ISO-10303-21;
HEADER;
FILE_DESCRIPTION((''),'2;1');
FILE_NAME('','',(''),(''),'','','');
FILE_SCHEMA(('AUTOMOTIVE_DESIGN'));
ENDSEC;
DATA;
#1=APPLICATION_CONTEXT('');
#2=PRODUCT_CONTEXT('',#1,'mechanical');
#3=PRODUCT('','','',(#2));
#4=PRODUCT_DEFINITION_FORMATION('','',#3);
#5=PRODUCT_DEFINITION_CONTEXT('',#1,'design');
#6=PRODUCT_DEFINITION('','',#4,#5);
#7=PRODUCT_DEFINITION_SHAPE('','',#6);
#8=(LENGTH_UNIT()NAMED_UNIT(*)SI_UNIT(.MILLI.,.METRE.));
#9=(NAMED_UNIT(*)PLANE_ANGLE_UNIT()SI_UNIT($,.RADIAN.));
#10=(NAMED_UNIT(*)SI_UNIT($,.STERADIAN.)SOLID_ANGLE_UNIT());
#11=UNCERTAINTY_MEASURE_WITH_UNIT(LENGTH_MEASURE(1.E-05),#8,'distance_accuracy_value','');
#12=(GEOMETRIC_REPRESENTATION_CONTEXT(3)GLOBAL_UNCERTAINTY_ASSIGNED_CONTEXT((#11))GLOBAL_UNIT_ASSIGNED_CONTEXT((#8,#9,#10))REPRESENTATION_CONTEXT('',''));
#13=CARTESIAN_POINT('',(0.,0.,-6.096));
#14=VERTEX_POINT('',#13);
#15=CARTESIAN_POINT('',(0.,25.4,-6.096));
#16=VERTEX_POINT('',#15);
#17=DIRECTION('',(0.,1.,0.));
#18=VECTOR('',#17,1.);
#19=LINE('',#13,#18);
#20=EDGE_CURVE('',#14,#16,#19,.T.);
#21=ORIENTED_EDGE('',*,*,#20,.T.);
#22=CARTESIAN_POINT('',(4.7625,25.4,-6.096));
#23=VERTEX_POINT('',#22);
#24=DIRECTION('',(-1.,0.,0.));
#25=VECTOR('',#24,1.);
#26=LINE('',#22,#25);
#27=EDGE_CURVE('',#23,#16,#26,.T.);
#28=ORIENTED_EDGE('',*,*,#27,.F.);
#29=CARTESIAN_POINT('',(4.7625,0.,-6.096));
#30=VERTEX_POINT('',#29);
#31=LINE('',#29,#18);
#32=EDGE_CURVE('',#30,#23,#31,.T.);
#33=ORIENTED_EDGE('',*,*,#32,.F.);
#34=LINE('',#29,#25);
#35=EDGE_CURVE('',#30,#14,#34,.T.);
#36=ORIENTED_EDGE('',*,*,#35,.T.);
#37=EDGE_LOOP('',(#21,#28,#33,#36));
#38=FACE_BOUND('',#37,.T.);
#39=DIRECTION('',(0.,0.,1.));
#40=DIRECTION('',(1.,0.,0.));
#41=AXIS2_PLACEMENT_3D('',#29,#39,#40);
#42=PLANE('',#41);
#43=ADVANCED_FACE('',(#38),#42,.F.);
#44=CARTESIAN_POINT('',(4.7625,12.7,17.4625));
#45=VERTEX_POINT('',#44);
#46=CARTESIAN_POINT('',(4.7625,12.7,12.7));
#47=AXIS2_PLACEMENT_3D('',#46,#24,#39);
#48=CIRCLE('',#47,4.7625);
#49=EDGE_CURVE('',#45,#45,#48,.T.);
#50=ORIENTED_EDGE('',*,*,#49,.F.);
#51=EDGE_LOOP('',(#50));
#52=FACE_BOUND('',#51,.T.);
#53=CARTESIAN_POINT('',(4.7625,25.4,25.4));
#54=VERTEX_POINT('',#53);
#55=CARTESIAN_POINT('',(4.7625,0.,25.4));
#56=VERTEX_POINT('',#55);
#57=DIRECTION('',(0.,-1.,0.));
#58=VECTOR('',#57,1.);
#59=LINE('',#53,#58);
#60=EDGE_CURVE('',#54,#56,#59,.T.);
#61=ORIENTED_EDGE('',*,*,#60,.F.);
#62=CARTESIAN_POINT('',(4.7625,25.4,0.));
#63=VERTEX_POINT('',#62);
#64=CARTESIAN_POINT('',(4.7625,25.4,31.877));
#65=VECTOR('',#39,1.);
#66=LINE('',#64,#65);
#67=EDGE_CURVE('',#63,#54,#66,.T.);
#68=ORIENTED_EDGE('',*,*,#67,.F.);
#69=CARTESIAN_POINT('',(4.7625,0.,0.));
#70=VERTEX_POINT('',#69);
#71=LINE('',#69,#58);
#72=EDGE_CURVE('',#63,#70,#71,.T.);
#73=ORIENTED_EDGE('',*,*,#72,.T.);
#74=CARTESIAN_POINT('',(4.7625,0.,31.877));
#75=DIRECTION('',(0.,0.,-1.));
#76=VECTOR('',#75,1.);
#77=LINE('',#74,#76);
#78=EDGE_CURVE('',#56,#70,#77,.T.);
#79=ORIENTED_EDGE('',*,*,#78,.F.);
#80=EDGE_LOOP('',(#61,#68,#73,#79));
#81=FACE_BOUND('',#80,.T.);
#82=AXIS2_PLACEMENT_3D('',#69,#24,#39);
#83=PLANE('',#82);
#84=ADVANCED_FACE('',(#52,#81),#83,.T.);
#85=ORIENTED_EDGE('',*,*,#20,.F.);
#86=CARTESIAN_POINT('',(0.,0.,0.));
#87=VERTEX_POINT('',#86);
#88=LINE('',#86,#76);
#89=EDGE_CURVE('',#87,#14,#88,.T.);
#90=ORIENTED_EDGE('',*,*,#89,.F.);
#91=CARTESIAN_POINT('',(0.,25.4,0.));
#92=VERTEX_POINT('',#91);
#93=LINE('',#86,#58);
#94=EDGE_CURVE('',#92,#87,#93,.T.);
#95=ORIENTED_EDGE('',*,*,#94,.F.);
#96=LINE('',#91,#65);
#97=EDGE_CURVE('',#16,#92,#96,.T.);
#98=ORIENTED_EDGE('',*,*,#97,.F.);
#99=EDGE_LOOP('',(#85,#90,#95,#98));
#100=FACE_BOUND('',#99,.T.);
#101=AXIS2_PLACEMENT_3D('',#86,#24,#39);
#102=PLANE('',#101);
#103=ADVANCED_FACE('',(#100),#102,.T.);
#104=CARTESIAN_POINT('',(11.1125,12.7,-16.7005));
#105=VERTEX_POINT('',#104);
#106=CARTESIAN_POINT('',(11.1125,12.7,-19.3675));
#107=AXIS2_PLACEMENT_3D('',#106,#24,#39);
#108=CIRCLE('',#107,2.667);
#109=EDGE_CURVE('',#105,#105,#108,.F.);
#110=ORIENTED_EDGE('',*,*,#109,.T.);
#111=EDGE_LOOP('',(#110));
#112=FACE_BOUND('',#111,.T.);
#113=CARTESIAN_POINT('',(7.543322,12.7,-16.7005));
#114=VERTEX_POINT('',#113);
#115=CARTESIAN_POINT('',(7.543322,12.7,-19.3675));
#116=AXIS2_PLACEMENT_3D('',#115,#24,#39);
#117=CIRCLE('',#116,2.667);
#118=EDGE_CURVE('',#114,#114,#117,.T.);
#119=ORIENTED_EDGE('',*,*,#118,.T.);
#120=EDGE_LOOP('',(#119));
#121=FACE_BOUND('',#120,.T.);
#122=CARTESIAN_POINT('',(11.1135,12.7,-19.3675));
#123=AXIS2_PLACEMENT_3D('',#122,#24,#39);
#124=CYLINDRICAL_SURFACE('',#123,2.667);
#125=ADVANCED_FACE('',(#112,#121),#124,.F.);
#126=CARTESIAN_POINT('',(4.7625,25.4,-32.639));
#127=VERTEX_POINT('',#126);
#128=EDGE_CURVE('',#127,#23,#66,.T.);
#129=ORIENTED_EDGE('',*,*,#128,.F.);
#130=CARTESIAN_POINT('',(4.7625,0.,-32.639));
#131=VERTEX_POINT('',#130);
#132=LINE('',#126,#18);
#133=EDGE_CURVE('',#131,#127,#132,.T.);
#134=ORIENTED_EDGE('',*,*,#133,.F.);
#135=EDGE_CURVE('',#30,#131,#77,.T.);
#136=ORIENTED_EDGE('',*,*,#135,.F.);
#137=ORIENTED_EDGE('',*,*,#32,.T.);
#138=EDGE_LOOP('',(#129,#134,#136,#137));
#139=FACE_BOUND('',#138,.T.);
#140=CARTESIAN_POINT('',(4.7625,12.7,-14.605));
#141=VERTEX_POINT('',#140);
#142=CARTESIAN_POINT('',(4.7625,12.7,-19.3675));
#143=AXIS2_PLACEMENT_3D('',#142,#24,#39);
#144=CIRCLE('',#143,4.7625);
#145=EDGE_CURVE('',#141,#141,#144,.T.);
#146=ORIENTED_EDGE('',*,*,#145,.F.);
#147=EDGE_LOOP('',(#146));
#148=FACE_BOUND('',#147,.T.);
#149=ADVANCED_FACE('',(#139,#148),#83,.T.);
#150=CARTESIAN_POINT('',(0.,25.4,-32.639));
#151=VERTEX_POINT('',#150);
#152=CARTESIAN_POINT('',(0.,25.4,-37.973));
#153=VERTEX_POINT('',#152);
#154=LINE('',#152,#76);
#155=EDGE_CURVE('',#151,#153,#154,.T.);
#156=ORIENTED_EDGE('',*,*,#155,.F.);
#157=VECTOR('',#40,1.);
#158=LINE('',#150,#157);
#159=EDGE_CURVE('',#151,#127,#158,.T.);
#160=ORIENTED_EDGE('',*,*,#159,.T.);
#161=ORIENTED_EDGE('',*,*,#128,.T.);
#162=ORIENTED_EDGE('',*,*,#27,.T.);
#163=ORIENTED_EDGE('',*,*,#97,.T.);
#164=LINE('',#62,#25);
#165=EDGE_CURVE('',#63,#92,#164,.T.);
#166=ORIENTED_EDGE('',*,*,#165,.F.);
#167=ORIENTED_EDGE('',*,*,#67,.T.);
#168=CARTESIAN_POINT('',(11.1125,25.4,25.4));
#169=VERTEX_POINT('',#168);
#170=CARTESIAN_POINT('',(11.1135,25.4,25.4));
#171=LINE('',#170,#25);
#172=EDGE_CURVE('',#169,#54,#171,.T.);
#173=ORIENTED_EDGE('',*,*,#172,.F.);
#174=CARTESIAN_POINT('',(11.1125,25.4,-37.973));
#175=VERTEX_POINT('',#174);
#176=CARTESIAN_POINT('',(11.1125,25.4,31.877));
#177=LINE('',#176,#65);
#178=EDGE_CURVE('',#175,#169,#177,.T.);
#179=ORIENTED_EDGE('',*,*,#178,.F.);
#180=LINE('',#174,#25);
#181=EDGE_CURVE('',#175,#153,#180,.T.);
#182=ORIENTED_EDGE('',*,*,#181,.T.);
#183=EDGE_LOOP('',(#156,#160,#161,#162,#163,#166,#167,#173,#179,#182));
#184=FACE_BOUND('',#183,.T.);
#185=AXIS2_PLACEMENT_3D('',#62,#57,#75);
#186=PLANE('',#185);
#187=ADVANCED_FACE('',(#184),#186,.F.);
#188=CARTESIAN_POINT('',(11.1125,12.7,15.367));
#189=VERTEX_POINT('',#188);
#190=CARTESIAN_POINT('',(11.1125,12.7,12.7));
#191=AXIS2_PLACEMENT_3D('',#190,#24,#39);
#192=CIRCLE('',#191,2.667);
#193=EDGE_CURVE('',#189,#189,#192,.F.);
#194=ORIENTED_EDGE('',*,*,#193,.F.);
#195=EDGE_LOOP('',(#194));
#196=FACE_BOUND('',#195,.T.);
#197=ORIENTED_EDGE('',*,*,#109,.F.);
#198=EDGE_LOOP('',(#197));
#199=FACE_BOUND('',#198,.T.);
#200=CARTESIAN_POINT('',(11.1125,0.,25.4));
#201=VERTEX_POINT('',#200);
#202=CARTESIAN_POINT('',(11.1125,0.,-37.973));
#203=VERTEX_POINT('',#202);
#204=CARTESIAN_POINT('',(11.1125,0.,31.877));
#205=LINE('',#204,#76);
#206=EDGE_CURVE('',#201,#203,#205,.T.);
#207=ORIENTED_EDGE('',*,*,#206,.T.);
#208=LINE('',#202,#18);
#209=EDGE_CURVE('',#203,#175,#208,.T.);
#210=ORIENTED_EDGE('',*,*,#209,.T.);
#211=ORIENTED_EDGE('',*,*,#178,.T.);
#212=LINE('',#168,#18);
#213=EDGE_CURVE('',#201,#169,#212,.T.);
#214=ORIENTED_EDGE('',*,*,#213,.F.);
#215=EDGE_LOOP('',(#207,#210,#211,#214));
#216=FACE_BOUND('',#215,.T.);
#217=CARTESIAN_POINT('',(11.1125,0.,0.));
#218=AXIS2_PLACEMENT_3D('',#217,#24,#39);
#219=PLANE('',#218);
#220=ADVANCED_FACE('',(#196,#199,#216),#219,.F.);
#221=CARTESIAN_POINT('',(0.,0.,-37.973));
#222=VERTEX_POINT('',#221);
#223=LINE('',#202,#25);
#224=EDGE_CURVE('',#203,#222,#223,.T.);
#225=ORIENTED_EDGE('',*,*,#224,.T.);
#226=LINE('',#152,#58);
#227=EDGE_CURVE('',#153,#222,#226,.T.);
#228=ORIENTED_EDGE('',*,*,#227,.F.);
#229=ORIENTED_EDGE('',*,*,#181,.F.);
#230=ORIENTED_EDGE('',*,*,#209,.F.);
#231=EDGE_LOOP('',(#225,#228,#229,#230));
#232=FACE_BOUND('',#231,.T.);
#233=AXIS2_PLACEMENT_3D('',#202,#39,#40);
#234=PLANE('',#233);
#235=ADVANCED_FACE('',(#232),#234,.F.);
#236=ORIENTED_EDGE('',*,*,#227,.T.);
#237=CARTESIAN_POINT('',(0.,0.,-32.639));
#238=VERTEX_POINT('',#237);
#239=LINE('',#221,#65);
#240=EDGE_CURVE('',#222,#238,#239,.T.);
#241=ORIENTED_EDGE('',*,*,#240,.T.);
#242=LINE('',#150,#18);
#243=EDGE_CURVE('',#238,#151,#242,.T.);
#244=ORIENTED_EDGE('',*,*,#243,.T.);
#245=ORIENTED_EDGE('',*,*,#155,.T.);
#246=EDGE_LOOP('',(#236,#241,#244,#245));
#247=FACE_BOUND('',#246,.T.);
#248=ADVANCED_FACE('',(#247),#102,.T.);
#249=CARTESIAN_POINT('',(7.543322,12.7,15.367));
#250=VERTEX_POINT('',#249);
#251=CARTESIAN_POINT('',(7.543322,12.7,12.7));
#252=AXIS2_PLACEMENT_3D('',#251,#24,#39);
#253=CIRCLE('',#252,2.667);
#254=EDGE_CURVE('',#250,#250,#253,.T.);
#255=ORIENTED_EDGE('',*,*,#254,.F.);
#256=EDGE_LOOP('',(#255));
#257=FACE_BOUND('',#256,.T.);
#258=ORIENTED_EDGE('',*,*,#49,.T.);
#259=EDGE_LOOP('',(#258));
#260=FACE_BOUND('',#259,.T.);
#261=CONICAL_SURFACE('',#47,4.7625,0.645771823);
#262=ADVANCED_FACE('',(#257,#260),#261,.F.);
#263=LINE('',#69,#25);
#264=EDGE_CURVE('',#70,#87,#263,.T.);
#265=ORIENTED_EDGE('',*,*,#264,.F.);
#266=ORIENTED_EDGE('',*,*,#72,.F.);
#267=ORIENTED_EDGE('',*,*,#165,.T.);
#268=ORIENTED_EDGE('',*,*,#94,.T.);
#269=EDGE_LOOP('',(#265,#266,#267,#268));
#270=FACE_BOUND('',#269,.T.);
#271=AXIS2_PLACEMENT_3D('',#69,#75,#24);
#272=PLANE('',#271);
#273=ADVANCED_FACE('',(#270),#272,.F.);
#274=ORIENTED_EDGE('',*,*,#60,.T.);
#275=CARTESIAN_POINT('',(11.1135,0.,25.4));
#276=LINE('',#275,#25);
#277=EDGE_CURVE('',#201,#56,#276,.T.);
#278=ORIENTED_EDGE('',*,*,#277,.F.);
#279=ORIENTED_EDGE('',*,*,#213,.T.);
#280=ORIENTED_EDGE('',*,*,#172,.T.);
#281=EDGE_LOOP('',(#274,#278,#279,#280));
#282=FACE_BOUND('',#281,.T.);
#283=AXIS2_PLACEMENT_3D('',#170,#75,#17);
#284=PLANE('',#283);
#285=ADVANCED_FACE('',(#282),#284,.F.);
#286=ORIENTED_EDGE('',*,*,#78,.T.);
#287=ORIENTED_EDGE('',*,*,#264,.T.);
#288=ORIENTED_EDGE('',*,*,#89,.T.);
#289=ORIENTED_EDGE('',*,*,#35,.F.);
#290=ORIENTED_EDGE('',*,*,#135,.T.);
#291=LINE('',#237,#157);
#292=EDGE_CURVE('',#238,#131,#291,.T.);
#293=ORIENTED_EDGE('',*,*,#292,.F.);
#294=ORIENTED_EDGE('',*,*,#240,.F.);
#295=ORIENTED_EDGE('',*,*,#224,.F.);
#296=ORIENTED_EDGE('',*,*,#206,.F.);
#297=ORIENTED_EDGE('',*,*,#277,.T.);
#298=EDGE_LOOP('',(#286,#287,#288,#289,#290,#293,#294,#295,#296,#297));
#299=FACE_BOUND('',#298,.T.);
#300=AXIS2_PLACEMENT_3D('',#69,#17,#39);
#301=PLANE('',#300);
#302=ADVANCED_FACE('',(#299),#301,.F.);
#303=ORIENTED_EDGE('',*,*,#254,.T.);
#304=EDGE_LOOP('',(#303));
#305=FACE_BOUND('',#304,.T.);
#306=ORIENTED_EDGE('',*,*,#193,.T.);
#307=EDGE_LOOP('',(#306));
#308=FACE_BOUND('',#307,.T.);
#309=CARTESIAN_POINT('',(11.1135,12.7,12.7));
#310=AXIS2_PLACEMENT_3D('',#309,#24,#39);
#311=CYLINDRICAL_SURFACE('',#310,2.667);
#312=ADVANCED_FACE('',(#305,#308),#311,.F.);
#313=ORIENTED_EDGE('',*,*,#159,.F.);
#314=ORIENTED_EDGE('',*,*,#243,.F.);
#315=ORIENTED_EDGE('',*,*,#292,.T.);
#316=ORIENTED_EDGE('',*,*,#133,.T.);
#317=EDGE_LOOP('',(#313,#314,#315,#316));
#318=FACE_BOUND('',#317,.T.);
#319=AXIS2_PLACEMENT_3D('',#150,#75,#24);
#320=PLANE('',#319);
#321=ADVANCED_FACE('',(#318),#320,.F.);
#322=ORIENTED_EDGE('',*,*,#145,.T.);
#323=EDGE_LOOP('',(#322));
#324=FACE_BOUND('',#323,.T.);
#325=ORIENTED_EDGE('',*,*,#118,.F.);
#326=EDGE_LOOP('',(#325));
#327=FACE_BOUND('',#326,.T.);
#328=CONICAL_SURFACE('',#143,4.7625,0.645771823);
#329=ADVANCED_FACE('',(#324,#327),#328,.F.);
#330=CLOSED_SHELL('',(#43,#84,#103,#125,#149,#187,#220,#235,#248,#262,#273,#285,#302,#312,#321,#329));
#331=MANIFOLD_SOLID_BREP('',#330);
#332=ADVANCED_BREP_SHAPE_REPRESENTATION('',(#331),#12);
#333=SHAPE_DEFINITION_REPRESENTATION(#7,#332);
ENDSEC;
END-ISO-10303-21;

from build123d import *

# Parameters (mm, degrees)
SKETCH1_W           = 6.096
SKETCH1_H           = 25.4
BOSS_EXTRUDE1_DEPTH = 4.7625
SKETCH2_W           = 69.85
SKETCH2_H           = 25.4
BOSS_EXTRUDE2_DEPTH = 6.35
SKETCH5_W           = 5.334
SKETCH5_H           = 25.4
BOSS_EXTRUDE3_DEPTH = 4.7625
CUT_EXTRUDE3_REACH  = 8.35
SKETCH6_W           = 6.477
SKETCH6_H           = 25.4
CUT_EXTRUDE1_REACH  = 8.35
SKETCH3_R           = 2.667
SKETCH4_R           = 4.7625
CUT_EXTRUDE2_DEPTH  = 3.81
CUT_EXTRUDE2_TAPER  = 37


with BuildPart() as part:
    # Sketch1 → Boss-Extrude1 (new body)
    with BuildSketch(Plane(origin=(0, 0, 0), x_dir=(0, 0, -1), z_dir=(1, 0, 0))):
        with Locations((3.048, 12.7)):
            Rectangle(SKETCH1_W, SKETCH1_H)
    extrude(amount=BOSS_EXTRUDE1_DEPTH)

    # Sketch2 → Boss-Extrude2 (add)
    with BuildSketch(Plane(origin=(4.7625, 0, 0), x_dir=(0, 0, -1), z_dir=(1, 0, 0))):
        with Locations((3.048, 12.7)):
            Rectangle(SKETCH2_W, SKETCH2_H)
    extrude(amount=BOSS_EXTRUDE2_DEPTH)

    # Sketch5 → Boss-Extrude3 (add)
    with BuildSketch(Plane.ZY.offset(-4.7625)):
        with Locations((-35.306, 12.7)):
            Rectangle(SKETCH5_W, SKETCH5_H)
    extrude(amount=BOSS_EXTRUDE3_DEPTH)

    # Sketch6 → Cut-Extrude3 (cut, up to next)
    with BuildSketch(Plane.ZY.offset(-4.7625), mode=Mode.PRIVATE) as cut_extrude3_sk1:
        with Locations((28.6385, 12.7)):
            Rectangle(SKETCH6_W, SKETCH6_H)
    cut_extrude3_tool1 = extrude(cut_extrude3_sk1.sketch, amount=-CUT_EXTRUDE3_REACH, mode=Mode.PRIVATE) & part.part
    add(cut_extrude3_tool1.solids().sort_by_distance((4.7625, 12.7, 28.6385))[0], mode=Mode.SUBTRACT)

    # Sketch3 → Cut-Extrude1 (cut, up to next)
    with BuildSketch(Plane.ZY.offset(-4.7625), mode=Mode.PRIVATE) as cut_extrude1_sk1:
        with Locations((-19.3675, 12.7)):
            Circle(SKETCH3_R)
    cut_extrude1_tool1 = extrude(cut_extrude1_sk1.sketch, amount=-CUT_EXTRUDE1_REACH, mode=Mode.PRIVATE) & part.part
    add(cut_extrude1_tool1.solids().sort_by_distance((4.7625, 12.7, -19.3675))[0], mode=Mode.SUBTRACT)
    # Sketch3 → Cut-Extrude1 (cut, up to next)
    with BuildSketch(Plane.ZY.offset(-4.7625), mode=Mode.PRIVATE) as cut_extrude1_sk2:
        with Locations((12.7, 12.7)):
            Circle(SKETCH3_R)
    cut_extrude1_tool2 = extrude(cut_extrude1_sk2.sketch, amount=-CUT_EXTRUDE1_REACH, mode=Mode.PRIVATE) & part.part
    add(cut_extrude1_tool2.solids().sort_by_distance((4.7625, 12.7, 12.7))[0], mode=Mode.SUBTRACT)

    # Sketch4 → Cut-Extrude2 (cut)
    with BuildSketch(Plane.ZY.offset(-4.7625)):
        with Locations((12.7, 12.7)):
            Circle(SKETCH4_R)
        with Locations((-19.3675, 12.7)):
            Circle(SKETCH4_R)
    extrude(amount=-CUT_EXTRUDE2_DEPTH, taper=CUT_EXTRUDE2_TAPER, mode=Mode.SUBTRACT)


solid = part.part
